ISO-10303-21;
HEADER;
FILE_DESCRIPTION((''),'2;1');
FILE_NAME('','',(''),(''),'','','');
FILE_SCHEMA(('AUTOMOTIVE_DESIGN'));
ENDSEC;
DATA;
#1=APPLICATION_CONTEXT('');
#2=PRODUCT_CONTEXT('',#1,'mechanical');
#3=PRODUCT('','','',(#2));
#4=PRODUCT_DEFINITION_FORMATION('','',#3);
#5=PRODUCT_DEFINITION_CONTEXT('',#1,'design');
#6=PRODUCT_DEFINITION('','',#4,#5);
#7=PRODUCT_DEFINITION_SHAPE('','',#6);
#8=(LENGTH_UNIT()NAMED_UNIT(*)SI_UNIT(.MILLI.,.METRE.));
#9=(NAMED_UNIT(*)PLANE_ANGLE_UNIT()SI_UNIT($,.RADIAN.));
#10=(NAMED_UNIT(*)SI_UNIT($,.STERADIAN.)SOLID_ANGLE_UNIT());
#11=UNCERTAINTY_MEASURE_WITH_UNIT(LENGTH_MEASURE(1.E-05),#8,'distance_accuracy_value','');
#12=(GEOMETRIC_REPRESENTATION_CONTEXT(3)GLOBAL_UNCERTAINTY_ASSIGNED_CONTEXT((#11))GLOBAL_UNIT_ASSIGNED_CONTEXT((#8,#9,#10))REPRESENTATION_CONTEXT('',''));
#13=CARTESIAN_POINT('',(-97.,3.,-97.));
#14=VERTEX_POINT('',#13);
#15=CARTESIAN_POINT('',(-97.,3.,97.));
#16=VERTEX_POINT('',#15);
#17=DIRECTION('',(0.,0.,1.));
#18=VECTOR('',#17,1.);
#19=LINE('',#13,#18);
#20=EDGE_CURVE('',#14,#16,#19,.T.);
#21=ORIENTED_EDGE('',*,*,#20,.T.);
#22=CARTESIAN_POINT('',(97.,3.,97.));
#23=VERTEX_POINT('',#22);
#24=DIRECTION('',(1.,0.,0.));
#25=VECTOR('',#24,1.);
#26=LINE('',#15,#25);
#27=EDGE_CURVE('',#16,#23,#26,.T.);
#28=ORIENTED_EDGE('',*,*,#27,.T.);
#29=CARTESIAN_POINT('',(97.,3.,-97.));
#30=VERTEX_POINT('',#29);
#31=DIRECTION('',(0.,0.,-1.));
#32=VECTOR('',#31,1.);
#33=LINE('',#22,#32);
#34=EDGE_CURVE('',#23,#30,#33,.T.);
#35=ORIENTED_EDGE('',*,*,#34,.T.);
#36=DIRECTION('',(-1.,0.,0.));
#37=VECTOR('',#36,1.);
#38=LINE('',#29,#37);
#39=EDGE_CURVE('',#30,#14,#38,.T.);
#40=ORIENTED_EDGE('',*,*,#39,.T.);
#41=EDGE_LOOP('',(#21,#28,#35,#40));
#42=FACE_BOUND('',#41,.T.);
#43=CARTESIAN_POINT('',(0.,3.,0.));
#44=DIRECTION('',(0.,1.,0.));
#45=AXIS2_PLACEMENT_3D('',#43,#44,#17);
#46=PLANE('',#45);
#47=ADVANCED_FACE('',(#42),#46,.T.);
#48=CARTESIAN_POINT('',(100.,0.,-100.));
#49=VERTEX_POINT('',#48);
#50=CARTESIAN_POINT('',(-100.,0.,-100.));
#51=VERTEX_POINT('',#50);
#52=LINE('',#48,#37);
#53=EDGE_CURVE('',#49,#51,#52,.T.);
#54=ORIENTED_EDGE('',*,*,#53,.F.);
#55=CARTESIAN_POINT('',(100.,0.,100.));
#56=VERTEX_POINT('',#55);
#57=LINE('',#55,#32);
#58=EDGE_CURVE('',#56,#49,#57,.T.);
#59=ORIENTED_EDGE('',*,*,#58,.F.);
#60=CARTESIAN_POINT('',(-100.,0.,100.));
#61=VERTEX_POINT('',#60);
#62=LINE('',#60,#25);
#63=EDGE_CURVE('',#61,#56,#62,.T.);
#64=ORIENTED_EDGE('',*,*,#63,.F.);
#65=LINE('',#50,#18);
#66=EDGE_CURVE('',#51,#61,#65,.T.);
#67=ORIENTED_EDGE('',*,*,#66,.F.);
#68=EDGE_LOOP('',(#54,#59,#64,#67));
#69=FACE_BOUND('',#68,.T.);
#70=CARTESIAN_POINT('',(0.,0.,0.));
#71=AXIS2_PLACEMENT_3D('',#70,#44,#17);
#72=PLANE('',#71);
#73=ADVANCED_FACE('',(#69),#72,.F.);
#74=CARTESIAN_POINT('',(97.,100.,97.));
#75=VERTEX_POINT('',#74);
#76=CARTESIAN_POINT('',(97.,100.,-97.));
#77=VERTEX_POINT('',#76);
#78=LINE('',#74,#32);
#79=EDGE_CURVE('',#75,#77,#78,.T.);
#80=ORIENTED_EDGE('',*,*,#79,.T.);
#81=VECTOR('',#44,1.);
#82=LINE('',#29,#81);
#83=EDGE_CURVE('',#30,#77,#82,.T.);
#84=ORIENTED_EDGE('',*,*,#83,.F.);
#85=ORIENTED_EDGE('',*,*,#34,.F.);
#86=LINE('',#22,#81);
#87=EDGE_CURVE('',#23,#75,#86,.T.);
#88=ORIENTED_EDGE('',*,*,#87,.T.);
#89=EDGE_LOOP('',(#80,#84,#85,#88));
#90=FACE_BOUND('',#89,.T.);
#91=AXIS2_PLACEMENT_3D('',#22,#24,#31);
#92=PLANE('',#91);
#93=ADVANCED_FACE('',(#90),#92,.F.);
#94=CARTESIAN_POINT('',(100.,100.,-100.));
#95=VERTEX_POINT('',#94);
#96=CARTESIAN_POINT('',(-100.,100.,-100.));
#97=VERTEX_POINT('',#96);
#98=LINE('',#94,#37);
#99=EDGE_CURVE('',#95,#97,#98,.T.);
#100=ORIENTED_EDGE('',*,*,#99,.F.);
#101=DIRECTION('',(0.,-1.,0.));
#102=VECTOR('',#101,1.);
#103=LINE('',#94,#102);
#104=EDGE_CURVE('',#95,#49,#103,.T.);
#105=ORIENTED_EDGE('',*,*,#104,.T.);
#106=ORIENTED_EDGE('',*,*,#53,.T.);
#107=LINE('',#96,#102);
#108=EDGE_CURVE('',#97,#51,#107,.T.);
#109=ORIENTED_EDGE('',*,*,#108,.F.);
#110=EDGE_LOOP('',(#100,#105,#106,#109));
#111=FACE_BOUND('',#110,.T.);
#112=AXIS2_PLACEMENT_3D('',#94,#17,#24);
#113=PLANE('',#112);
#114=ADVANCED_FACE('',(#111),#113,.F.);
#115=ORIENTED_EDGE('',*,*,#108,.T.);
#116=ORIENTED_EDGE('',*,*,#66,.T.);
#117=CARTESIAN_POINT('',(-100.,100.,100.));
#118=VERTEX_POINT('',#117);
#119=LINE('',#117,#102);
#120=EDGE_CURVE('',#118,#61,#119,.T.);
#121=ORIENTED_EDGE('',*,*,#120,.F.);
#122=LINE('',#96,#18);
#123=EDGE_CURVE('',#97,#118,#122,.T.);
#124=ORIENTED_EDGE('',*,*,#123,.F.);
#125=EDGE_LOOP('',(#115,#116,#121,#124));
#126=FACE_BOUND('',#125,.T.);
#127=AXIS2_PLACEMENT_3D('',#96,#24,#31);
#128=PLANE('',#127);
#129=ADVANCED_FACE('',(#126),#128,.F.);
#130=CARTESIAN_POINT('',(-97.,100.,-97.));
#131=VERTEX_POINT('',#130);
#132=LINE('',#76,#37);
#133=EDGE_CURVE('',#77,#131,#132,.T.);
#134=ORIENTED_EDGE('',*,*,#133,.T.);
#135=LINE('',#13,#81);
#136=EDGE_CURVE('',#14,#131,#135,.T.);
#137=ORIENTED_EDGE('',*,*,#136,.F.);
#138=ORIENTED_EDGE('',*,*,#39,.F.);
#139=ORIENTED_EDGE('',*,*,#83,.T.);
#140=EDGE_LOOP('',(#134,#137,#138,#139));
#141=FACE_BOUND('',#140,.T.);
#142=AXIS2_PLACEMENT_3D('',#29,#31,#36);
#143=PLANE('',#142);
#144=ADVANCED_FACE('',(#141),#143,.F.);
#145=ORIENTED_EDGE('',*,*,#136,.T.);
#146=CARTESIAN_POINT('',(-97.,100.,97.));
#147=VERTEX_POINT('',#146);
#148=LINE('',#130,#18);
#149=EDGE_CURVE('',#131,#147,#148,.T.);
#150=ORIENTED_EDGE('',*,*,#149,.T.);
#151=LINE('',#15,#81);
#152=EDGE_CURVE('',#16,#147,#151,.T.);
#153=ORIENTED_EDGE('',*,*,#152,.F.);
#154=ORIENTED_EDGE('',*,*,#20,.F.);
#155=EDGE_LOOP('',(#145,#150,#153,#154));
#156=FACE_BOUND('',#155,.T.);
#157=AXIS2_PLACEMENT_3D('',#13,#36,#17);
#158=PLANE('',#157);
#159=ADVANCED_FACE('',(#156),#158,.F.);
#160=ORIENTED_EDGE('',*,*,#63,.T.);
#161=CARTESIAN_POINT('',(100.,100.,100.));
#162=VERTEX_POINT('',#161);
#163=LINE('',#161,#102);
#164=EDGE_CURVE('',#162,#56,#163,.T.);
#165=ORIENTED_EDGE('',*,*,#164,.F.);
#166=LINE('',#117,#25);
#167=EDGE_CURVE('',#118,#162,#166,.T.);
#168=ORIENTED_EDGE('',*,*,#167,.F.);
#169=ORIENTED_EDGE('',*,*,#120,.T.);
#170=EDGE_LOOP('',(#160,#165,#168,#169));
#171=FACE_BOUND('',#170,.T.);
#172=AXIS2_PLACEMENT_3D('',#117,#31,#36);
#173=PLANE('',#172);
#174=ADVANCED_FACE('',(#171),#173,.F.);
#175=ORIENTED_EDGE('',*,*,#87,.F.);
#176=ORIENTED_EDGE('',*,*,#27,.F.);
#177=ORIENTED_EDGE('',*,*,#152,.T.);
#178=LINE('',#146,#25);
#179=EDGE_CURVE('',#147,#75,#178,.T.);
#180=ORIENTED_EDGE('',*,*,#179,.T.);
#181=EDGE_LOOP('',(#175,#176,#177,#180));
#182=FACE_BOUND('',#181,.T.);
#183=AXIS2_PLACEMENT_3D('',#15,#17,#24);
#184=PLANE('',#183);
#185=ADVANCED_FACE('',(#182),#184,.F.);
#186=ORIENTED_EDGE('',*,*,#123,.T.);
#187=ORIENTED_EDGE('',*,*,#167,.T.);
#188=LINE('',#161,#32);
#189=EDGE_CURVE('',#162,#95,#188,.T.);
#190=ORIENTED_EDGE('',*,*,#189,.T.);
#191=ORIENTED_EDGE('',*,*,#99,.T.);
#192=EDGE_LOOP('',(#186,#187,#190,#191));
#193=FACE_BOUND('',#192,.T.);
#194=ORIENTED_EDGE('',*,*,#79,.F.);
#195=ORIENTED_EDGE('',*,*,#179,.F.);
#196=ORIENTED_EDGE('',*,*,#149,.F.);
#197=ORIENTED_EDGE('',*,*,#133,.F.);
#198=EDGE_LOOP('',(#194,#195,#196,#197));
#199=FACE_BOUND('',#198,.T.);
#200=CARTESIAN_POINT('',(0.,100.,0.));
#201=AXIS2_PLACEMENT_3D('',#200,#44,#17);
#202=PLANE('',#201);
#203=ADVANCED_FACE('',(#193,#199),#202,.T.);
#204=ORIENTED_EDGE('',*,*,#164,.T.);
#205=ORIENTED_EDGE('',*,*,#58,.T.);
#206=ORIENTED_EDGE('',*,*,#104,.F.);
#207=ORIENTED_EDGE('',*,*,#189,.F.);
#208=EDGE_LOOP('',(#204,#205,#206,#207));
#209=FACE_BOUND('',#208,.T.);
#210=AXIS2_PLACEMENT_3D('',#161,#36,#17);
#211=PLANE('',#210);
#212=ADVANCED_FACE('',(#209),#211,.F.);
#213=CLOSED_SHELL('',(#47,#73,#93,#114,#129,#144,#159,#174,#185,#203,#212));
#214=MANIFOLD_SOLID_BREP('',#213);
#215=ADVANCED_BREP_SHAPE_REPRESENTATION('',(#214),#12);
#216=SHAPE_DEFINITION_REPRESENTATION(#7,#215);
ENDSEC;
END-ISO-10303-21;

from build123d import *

# Parameters (mm, degrees)
SKETCH1_W           = 200
SKETCH1_H           = 200
BOSS_EXTRUDE1_DEPTH = 100
SKETCH2_W           = 194
SKETCH2_H           = 194
CUT_EXTRUDE1_DEPTH  = 97


with BuildPart() as part:
    # Sketch1 → Boss-Extrude1 (new body)
    with BuildSketch(Plane(origin=(0, 0, 0), x_dir=(1, 0, 0), z_dir=(0, 1, 0))):
        Rectangle(SKETCH1_W, SKETCH1_H)
    extrude(amount=BOSS_EXTRUDE1_DEPTH)

    # Sketch2 → Cut-Extrude1 (cut)
    with BuildSketch(Plane(origin=(0, 100, 0), x_dir=(1, 0, 0), z_dir=(0, 1, 0))):
        Rectangle(SKETCH2_W, SKETCH2_H)
    extrude(amount=-CUT_EXTRUDE1_DEPTH, mode=Mode.SUBTRACT)


solid = part.part
